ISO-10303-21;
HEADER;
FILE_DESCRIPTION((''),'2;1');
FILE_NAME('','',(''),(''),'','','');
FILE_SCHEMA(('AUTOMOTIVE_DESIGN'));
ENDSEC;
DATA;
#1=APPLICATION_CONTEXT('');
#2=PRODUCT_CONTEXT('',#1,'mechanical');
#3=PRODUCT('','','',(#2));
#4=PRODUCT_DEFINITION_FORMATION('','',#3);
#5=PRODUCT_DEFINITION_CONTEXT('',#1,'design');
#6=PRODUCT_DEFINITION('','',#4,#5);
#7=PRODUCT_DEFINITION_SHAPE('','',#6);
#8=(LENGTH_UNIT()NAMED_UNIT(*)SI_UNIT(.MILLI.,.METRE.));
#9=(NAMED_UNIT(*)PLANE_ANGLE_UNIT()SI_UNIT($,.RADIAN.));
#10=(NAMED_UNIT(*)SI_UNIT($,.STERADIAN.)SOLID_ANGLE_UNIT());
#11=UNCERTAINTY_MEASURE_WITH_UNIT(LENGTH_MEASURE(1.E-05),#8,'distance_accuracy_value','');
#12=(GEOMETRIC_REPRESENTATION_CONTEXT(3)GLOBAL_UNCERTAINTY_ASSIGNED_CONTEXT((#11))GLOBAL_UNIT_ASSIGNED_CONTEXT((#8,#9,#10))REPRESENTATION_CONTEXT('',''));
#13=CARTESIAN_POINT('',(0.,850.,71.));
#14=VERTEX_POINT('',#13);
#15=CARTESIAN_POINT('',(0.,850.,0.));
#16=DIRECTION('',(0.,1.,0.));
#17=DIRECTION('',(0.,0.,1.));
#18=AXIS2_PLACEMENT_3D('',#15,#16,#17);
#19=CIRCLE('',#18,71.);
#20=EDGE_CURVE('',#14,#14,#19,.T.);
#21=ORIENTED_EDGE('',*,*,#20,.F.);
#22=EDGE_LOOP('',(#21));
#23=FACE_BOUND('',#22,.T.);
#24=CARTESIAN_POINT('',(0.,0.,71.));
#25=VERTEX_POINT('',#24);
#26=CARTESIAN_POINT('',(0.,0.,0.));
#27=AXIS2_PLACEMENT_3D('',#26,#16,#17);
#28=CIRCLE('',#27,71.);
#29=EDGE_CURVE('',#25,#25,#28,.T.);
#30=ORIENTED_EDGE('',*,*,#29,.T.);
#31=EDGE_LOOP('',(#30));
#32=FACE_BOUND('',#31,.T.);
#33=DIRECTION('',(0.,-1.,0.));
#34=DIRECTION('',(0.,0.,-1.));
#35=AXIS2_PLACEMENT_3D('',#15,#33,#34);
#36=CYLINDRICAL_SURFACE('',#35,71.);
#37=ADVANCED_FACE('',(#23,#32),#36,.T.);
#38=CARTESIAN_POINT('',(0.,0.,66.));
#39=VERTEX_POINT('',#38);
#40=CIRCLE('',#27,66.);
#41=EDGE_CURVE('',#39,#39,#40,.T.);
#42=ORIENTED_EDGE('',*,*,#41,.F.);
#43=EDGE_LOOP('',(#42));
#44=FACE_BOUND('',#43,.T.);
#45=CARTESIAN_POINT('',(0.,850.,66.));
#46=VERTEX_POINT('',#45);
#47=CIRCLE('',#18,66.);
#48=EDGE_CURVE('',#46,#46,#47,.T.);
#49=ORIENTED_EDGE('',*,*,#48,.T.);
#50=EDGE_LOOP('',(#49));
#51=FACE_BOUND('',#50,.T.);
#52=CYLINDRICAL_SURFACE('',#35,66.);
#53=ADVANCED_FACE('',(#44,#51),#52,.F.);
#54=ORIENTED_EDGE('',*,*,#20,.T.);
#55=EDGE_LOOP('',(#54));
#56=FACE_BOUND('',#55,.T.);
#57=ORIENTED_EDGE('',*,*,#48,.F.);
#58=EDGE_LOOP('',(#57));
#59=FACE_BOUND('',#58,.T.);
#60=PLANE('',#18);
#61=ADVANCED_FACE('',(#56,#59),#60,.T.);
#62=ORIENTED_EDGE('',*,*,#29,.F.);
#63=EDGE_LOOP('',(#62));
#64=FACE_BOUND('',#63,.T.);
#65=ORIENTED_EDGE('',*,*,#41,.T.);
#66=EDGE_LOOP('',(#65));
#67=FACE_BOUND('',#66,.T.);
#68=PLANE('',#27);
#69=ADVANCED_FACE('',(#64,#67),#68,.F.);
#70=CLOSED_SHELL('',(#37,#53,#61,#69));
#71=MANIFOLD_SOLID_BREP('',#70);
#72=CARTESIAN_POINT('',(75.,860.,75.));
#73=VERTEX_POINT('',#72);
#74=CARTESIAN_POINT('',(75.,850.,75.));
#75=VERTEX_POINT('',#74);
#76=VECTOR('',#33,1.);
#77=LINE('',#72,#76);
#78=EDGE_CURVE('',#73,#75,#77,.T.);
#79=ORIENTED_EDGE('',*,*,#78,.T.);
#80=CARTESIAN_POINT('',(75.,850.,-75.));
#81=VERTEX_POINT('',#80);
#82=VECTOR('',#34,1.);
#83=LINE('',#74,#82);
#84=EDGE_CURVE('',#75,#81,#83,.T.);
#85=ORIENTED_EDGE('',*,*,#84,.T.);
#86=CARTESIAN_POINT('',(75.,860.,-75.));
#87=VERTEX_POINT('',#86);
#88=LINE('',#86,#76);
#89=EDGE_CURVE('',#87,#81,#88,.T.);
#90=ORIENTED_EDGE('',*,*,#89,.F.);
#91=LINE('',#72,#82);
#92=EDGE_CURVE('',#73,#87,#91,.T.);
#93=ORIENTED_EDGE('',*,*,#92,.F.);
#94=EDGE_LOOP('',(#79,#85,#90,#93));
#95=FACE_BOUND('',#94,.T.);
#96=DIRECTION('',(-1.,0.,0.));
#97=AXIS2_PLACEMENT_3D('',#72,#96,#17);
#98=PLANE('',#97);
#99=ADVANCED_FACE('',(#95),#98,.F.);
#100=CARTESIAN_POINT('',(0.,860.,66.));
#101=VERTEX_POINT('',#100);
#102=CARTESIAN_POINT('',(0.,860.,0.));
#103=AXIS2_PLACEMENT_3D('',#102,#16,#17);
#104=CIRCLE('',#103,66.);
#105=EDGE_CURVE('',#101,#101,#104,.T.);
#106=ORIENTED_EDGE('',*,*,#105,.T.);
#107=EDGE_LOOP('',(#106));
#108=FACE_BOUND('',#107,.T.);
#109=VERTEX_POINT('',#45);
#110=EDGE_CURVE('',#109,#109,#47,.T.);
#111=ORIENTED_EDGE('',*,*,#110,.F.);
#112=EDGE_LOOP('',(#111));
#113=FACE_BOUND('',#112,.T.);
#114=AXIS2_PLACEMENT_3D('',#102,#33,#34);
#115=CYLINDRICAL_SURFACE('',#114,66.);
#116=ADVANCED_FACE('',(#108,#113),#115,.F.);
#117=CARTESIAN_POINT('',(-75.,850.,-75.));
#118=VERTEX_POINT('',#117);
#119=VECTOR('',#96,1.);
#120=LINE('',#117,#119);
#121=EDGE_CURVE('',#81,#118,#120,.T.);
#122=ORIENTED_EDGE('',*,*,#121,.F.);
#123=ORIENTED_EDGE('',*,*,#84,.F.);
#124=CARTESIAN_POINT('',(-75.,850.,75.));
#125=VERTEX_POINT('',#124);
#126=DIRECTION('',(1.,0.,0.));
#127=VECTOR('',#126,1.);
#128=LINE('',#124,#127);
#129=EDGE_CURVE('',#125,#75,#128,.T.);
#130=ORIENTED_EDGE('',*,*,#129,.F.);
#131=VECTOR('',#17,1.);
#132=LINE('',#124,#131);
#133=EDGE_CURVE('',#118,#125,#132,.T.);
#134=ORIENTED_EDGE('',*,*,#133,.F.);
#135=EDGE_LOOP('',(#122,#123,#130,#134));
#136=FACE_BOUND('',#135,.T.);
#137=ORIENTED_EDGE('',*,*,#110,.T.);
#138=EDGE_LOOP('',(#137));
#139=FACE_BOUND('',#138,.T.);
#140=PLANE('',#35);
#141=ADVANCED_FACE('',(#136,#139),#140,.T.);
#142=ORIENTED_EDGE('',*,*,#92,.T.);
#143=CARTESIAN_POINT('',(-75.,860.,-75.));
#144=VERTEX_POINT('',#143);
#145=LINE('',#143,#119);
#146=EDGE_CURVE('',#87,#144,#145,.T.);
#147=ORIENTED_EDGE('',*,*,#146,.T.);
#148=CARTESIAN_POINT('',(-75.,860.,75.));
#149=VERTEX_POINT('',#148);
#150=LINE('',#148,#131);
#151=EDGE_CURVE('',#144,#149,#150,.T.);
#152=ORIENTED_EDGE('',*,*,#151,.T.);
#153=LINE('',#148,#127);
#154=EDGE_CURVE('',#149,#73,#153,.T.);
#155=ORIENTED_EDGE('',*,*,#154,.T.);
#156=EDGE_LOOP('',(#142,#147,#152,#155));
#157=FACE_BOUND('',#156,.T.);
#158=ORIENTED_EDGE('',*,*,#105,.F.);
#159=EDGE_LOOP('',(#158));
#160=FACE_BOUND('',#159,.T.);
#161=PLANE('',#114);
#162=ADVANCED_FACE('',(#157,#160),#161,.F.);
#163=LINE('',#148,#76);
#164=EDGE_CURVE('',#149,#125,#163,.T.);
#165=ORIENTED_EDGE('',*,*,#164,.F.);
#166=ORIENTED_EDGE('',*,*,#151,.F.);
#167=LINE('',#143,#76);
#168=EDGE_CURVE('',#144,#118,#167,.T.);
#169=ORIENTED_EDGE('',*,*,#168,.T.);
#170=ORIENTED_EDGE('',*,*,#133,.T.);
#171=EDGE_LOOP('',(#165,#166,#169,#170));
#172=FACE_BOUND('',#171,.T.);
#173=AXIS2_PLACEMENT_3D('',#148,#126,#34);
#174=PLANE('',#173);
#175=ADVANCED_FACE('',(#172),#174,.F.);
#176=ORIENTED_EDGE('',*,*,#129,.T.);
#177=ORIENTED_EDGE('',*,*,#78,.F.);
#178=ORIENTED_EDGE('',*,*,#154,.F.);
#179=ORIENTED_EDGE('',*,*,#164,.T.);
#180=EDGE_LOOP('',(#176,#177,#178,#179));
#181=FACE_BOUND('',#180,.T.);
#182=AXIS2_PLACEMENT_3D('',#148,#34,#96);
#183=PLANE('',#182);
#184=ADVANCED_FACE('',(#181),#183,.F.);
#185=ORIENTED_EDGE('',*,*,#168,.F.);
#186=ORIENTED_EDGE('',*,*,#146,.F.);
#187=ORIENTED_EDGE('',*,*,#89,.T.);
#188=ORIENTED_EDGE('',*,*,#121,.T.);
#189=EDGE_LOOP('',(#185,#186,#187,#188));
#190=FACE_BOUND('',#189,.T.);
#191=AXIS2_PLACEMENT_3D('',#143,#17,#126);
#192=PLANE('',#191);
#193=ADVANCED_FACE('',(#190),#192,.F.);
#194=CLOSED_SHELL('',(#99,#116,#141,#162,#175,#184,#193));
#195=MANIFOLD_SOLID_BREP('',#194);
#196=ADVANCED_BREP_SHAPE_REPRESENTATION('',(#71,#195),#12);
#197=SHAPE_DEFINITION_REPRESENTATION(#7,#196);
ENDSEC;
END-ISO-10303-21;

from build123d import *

# Parameters (mm, degrees)
SKETCH1_R           = 71
SKETCH1_R_2         = 66
BOSS_EXTRUDE1_DEPTH = 850
SKETCH2_W           = 150
SKETCH2_H           = 150
SKETCH2_R           = 66
BOSS_EXTRUDE2_DEPTH = 10


with BuildPart() as part:
    # Sketch1 → Boss-Extrude1 (new body)
    with BuildSketch(Plane(origin=(0, 0, 0), x_dir=(1, 0, 0), z_dir=(0, 1, 0))):
        Circle(SKETCH1_R)
        Circle(SKETCH1_R_2, mode=Mode.SUBTRACT)
    extrude(amount=BOSS_EXTRUDE1_DEPTH)


with BuildPart() as body_2:
    # Sketch2 → Boss-Extrude2 (new body)
    with BuildSketch(Plane(origin=(0, 850, 0), x_dir=(1, 0, 0), z_dir=(0, 1, 0))):
        Rectangle(SKETCH2_W, SKETCH2_H)
        Circle(SKETCH2_R, mode=Mode.SUBTRACT)
    extrude(amount=BOSS_EXTRUDE2_DEPTH)


solid = Compound([part.part, body_2.part])
